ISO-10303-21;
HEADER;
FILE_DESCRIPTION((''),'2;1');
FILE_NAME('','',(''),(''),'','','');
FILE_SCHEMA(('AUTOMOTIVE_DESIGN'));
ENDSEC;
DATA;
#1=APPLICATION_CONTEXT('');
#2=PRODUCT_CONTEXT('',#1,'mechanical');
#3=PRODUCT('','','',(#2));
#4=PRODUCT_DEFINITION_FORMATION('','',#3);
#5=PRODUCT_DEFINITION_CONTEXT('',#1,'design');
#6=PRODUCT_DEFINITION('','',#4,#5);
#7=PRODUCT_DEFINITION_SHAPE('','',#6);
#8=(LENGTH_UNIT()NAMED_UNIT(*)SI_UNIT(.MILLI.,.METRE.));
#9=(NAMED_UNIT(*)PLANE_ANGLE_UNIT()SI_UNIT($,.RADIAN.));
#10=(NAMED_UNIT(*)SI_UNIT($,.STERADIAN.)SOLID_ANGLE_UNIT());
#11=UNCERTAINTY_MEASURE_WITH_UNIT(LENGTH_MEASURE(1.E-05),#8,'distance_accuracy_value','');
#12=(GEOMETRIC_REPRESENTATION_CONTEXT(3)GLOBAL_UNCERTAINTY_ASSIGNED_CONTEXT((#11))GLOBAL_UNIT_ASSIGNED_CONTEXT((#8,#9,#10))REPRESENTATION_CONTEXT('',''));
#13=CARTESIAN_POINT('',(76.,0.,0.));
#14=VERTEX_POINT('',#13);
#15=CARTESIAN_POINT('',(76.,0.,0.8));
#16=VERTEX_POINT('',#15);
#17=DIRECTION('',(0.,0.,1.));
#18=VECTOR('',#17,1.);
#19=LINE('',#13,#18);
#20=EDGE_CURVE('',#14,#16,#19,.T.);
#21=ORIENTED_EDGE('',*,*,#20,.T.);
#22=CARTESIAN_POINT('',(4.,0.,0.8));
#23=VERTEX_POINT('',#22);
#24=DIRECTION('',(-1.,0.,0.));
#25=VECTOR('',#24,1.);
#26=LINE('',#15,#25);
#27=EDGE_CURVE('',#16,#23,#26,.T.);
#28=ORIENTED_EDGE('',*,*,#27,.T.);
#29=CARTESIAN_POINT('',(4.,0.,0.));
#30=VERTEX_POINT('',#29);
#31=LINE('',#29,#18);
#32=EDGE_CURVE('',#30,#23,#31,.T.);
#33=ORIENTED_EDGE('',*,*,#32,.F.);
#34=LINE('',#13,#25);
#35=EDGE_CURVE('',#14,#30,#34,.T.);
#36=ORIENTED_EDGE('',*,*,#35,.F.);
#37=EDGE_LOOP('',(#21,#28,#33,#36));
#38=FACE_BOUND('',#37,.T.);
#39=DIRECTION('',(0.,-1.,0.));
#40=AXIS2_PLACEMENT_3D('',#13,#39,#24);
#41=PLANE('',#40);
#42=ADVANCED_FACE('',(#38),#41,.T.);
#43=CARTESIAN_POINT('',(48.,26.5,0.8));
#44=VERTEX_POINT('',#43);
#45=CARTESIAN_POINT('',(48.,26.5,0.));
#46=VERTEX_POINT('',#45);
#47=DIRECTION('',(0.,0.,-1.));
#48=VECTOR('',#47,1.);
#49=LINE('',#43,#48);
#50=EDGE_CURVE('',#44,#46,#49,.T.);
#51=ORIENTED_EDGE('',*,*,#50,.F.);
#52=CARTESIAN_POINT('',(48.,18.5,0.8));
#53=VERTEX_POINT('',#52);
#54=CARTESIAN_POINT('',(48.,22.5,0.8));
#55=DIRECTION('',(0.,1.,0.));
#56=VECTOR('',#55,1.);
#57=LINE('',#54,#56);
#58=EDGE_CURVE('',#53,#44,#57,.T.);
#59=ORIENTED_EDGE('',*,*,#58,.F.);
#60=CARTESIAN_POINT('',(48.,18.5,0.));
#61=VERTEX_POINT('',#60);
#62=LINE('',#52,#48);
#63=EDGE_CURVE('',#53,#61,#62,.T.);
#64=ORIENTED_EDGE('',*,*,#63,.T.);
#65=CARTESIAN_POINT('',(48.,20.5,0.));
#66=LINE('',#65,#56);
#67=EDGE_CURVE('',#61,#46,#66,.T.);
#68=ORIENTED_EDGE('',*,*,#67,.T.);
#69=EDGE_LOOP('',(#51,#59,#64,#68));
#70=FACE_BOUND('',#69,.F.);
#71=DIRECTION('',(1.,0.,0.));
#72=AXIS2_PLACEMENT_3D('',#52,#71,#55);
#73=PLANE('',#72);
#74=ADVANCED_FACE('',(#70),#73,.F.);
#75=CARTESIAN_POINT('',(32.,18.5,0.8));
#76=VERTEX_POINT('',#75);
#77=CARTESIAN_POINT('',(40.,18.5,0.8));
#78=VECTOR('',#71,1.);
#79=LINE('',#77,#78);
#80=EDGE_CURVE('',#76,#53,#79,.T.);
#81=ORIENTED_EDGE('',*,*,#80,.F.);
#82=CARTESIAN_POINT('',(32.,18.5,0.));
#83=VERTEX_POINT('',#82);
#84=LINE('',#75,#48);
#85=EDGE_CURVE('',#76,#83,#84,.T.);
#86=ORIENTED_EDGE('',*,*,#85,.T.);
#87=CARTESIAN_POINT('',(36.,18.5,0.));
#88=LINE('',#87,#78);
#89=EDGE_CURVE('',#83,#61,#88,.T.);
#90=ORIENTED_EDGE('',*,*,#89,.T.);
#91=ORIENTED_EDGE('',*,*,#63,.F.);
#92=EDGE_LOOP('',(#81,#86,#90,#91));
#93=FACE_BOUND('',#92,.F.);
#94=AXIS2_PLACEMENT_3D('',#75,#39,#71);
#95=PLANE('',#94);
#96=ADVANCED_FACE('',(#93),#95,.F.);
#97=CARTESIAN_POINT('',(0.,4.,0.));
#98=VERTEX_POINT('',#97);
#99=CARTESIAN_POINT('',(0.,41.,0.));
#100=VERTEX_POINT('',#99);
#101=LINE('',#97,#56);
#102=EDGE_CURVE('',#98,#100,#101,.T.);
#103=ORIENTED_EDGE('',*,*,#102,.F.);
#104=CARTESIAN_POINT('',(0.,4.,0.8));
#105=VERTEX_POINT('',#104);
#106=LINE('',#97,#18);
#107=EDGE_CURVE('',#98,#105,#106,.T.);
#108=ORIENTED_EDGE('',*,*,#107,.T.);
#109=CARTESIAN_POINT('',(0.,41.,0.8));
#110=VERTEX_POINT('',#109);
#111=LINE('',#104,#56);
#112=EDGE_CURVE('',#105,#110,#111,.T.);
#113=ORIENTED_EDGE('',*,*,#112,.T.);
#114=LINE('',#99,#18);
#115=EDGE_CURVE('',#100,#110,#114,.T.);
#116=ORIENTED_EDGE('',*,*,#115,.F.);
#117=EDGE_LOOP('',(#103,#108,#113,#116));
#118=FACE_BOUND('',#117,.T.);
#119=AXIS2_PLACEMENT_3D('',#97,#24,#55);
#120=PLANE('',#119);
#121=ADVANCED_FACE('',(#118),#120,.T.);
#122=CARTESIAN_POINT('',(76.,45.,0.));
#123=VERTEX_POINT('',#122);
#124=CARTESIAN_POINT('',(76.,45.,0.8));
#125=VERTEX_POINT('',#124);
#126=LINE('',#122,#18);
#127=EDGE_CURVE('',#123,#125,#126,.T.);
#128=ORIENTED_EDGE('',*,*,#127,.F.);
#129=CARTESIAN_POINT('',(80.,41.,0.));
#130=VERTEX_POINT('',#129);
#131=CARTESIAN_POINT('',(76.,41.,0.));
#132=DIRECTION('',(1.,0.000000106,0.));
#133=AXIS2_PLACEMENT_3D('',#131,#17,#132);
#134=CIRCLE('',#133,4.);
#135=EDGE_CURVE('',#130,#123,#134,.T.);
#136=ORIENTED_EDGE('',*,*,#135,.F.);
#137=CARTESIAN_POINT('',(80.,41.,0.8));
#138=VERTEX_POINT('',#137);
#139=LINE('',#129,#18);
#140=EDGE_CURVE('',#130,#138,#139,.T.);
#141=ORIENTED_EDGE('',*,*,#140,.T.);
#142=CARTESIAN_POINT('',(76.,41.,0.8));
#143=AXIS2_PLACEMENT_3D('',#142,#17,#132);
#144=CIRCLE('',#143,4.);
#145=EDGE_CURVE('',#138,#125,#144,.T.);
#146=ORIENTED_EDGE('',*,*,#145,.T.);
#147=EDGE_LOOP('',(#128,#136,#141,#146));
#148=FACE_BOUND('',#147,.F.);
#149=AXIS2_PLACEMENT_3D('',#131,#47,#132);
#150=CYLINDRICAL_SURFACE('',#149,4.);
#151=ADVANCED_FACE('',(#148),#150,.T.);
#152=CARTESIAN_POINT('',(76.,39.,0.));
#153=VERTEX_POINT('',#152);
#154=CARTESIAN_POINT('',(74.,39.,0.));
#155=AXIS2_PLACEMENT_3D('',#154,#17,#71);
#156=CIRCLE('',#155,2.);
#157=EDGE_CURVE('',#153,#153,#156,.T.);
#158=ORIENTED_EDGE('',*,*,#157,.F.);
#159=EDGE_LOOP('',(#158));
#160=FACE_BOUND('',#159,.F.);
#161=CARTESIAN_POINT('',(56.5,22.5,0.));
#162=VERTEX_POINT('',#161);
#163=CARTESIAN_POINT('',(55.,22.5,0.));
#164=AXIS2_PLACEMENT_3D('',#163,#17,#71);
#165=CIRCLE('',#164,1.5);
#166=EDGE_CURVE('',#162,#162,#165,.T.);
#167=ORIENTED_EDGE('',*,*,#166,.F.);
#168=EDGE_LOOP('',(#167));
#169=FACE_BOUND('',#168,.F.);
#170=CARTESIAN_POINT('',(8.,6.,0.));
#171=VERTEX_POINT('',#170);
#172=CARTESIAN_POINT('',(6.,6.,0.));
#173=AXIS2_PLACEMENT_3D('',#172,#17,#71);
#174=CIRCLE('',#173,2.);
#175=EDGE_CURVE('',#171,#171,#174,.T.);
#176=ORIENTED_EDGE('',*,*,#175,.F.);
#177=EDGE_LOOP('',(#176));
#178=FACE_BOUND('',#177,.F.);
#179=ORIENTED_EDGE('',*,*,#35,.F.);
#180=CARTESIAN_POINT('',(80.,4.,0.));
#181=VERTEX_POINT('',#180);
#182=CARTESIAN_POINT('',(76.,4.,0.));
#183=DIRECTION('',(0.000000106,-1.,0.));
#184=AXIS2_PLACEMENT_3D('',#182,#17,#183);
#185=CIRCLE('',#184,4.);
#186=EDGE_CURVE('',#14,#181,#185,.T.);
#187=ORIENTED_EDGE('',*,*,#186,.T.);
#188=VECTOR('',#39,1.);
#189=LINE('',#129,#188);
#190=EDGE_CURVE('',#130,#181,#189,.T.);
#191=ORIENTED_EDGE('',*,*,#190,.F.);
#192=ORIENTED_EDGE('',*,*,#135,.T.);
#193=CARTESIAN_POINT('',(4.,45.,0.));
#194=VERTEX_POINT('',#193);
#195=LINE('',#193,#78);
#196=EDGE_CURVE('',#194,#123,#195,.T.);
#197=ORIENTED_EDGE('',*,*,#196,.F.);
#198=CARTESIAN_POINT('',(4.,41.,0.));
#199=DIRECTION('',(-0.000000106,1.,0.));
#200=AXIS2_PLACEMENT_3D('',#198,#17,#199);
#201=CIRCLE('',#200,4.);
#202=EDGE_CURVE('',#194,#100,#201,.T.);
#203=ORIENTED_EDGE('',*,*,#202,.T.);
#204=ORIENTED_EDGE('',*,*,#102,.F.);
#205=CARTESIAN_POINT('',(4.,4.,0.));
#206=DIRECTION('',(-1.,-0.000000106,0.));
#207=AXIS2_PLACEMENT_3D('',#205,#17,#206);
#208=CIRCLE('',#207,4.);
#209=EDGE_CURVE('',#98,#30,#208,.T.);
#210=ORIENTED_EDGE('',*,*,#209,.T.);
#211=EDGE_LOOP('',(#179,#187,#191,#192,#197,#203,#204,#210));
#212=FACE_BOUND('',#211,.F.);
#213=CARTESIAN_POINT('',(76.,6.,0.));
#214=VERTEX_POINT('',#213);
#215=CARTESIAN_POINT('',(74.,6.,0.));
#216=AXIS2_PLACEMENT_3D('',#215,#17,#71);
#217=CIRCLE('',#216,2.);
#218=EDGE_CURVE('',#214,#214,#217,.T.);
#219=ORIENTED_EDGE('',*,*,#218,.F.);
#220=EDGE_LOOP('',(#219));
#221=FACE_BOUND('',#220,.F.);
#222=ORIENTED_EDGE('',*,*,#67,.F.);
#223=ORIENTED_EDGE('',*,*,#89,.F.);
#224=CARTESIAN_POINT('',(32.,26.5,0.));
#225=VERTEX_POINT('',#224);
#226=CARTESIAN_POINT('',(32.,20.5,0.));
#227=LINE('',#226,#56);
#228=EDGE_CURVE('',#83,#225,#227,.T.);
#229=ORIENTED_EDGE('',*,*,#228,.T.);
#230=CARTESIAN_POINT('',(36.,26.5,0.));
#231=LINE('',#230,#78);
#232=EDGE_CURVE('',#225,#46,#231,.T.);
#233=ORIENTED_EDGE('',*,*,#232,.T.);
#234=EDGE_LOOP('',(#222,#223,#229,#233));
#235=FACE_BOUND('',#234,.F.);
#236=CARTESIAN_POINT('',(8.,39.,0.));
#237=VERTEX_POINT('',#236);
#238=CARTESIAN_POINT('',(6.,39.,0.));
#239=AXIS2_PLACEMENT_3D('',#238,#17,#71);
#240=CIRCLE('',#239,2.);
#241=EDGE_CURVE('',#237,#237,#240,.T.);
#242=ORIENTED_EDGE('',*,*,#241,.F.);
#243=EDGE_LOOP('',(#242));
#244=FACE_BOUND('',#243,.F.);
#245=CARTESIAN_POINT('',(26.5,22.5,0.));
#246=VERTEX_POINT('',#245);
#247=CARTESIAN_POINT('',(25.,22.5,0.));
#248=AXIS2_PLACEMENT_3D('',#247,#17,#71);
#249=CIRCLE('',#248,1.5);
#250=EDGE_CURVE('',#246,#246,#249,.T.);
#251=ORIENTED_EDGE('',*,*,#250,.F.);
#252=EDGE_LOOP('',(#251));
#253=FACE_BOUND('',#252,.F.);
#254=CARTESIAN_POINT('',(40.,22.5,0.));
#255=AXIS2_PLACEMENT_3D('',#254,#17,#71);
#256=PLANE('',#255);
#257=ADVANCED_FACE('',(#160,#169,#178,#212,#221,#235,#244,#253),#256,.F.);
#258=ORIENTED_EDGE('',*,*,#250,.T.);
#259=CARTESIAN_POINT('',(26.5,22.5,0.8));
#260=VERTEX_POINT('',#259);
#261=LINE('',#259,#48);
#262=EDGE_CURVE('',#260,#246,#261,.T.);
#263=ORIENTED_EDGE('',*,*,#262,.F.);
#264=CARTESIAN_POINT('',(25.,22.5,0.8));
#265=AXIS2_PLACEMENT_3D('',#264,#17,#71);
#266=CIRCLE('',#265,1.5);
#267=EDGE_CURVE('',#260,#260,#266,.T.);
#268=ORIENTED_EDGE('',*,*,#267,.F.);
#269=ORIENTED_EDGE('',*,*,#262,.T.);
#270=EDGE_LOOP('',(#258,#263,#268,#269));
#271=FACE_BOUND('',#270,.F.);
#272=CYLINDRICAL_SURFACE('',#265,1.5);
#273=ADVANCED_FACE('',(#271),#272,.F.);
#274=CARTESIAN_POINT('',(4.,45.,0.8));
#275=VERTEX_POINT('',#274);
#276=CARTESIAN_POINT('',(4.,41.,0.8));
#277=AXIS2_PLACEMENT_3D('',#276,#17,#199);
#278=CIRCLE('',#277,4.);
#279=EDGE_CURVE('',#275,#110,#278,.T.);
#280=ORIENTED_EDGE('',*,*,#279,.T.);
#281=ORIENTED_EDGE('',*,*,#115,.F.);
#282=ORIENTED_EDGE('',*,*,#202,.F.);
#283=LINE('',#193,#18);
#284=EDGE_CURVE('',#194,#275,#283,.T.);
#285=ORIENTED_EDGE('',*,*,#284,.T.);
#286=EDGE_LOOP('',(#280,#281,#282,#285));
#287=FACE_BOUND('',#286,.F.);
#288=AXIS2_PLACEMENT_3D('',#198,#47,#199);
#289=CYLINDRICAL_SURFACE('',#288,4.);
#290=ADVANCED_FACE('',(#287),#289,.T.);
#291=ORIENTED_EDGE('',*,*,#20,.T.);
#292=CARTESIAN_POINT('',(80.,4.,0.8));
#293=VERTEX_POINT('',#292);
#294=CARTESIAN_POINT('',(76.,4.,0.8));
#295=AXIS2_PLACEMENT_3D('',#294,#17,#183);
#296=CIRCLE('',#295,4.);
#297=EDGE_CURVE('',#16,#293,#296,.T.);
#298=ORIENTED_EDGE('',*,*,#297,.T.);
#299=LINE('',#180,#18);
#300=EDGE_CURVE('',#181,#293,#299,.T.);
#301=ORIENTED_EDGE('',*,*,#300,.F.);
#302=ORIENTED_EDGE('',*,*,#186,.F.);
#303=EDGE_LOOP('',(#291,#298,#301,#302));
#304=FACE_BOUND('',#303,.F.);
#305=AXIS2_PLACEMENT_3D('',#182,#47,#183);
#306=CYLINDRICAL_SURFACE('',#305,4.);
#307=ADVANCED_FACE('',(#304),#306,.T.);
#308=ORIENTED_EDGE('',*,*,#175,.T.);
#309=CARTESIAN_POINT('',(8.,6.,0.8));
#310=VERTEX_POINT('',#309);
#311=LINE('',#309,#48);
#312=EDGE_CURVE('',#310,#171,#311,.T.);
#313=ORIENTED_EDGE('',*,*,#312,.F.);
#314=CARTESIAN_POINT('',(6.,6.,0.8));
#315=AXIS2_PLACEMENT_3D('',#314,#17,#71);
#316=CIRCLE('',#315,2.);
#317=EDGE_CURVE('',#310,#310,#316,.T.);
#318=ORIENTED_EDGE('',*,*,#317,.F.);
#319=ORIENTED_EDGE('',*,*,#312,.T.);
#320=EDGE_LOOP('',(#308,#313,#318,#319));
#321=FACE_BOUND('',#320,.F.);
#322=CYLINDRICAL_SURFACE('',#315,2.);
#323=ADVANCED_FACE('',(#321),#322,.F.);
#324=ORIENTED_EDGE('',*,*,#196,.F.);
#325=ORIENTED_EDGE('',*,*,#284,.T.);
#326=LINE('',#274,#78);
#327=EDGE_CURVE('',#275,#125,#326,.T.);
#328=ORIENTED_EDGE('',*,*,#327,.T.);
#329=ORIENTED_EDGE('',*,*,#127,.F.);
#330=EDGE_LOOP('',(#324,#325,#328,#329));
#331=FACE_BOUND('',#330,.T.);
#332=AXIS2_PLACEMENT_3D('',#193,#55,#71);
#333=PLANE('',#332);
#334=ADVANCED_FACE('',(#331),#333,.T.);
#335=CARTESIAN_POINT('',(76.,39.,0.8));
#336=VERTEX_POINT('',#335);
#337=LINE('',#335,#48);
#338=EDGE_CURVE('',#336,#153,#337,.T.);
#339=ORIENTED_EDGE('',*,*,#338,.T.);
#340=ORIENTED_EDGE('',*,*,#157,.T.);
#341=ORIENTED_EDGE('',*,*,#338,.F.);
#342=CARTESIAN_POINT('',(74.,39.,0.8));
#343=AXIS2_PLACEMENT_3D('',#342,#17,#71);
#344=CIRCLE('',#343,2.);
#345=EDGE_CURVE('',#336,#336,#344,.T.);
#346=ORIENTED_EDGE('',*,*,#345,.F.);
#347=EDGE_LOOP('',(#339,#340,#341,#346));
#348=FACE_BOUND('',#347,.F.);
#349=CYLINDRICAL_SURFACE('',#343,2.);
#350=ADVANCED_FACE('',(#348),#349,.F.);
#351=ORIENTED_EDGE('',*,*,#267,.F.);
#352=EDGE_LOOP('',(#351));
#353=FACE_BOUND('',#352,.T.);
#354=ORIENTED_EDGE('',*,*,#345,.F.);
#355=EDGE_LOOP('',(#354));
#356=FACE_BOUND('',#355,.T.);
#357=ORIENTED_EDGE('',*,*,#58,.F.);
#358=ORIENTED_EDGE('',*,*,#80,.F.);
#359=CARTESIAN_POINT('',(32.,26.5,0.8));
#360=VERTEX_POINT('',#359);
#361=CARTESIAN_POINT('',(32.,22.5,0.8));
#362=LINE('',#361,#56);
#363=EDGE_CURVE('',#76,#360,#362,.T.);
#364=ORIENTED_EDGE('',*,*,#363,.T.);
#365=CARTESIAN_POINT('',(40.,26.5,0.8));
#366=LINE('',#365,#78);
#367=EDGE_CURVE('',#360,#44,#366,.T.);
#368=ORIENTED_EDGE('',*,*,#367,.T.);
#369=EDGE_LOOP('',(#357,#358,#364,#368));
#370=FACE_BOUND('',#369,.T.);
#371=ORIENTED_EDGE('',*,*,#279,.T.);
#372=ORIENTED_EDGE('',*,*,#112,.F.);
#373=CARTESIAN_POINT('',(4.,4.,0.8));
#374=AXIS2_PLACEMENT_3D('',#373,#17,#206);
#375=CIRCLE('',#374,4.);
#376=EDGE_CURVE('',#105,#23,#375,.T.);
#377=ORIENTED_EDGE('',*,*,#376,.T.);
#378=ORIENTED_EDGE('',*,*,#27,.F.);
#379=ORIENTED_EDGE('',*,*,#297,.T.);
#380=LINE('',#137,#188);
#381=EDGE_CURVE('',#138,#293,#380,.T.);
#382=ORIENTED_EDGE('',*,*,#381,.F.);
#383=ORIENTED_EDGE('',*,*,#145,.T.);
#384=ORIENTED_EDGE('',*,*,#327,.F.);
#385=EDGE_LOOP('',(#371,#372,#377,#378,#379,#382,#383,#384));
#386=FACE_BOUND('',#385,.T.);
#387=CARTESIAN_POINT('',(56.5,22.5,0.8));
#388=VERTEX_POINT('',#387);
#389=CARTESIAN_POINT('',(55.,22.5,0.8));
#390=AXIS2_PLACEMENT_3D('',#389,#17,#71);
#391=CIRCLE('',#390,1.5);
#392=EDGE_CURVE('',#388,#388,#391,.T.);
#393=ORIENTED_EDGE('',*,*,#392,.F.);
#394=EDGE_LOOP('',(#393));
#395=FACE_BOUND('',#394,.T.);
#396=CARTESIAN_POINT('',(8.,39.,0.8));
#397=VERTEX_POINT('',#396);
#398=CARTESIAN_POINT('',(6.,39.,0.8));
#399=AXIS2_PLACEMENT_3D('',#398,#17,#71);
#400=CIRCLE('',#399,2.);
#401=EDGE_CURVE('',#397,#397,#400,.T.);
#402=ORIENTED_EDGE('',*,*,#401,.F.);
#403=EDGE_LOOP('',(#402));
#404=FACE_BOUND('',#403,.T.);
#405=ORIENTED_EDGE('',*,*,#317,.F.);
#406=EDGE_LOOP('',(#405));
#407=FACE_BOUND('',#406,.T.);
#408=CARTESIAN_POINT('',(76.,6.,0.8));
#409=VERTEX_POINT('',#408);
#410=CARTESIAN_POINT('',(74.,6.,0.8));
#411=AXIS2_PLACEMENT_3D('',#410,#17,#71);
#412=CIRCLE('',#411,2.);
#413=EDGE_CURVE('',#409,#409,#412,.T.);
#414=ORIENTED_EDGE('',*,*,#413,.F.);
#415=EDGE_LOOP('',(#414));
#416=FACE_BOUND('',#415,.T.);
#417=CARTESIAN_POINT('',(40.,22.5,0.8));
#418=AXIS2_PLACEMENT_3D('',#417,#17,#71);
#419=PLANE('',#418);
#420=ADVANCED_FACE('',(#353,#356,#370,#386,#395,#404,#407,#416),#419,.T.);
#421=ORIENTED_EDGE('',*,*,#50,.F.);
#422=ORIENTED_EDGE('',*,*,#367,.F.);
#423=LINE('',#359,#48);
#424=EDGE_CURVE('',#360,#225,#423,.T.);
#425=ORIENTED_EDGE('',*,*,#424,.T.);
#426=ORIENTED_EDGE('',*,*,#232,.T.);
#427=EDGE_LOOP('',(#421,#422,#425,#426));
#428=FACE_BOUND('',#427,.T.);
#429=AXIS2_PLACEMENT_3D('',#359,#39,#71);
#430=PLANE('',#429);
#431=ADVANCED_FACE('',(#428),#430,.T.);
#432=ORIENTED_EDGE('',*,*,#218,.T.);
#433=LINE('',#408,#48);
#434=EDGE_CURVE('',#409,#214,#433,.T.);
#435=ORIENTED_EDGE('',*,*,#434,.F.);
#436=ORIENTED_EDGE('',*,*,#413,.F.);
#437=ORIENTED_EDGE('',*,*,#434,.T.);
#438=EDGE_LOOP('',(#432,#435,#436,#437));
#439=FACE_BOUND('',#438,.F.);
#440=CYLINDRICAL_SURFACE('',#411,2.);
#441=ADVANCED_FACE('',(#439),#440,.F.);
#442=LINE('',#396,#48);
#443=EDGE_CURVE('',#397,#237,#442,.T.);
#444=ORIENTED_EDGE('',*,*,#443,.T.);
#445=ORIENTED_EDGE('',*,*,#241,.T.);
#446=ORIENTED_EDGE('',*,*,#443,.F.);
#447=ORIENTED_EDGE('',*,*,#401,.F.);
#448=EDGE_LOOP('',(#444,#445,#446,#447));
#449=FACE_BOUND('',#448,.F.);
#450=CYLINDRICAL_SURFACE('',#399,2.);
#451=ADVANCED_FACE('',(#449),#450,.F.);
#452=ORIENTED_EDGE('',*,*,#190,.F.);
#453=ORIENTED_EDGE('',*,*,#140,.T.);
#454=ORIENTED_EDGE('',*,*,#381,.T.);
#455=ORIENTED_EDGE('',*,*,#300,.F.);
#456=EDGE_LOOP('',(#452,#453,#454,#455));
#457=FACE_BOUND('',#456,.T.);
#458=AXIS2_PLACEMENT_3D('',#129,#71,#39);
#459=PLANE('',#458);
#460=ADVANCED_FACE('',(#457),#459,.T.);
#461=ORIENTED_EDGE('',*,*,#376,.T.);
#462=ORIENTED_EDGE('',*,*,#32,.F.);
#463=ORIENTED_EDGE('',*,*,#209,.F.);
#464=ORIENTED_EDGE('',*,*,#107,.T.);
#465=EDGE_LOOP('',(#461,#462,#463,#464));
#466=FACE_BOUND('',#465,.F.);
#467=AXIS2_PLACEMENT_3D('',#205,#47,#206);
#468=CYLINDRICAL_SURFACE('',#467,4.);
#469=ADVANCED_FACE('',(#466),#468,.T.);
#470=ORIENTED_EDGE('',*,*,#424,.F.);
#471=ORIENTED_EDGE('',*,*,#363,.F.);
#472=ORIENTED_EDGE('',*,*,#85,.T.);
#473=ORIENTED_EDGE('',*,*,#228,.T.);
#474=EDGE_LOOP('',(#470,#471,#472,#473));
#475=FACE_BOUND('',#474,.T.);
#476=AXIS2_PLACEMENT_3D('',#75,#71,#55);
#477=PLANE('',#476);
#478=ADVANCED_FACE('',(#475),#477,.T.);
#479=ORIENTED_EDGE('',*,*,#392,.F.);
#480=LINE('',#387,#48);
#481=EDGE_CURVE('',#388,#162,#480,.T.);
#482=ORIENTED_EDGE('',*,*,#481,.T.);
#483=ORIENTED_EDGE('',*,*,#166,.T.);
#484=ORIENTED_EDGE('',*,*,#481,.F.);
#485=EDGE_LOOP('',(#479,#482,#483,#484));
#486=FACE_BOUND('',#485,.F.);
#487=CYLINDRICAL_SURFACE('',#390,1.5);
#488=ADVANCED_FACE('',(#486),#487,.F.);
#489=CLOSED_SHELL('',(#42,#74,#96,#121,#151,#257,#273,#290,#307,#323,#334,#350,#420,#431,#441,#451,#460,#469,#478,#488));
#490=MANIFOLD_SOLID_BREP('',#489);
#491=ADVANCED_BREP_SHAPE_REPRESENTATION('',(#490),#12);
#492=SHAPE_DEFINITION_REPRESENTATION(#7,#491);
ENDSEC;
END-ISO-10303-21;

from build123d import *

# Parameters (mm, degrees)
PAD_DEPTH       = 0.8
SKETCH001_W     = 16
SKETCH001_H     = 8
POCKET_DEPTH    = 0.801
SKETCH002_R     = 1.5
POCKET001_DEPTH = 0.801
SKETCH003_R     = 2
POCKET002_DEPTH = 0.801


with BuildPart() as part:
    # Sketch → Pad (new body)
    with BuildSketch(Plane.XY):
        with BuildLine():
            ThreePointArc((4, 45), (1.171573, 43.828427), (0, 41))
            Line((0, 4), (0, 41))
            ThreePointArc((0, 4), (1.171573, 1.171573), (4, 0))
            Line((76, 0), (4, 0))
            ThreePointArc((76, 0), (78.828427, 1.171573), (80, 4))
            Line((80, 41), (80, 4))
            ThreePointArc((80, 41), (78.828427, 43.828427), (76, 45))
            Line((4, 45), (76, 45))
        make_face()
    extrude(amount=PAD_DEPTH)

    # Sketch001 (on Face10 of Pad) → Pocket (cut, through all)
    with BuildSketch(Plane.XY.offset(0.8)):
        with Locations((40, 22.5)):
            Rectangle(SKETCH001_W, SKETCH001_H)
    extrude(amount=-POCKET_DEPTH, mode=Mode.SUBTRACT)

    # Sketch002 (on Face5 of Pocket) → Pocket001 (cut, through all)
    with BuildSketch(Plane.XY.offset(0.8)):
        with Locations((55, 22.5)):
            Circle(SKETCH002_R)
        with Locations((25, 22.5)):
            Circle(SKETCH002_R)
    extrude(amount=-POCKET001_DEPTH, mode=Mode.SUBTRACT)

    # Sketch003 (on Face5 of Pocket001) → Pocket002 (cut, through all)
    with BuildSketch(Plane.XY.offset(0.8)):
        with Locations((6, 39)):
            Circle(SKETCH003_R)
        with Locations((74, 39)):
            Circle(SKETCH003_R)
        with Locations((74, 6)):
            Circle(SKETCH003_R)
        with Locations((6, 6)):
            Circle(SKETCH003_R)
    extrude(amount=-POCKET002_DEPTH, mode=Mode.SUBTRACT)


solid = part.part
